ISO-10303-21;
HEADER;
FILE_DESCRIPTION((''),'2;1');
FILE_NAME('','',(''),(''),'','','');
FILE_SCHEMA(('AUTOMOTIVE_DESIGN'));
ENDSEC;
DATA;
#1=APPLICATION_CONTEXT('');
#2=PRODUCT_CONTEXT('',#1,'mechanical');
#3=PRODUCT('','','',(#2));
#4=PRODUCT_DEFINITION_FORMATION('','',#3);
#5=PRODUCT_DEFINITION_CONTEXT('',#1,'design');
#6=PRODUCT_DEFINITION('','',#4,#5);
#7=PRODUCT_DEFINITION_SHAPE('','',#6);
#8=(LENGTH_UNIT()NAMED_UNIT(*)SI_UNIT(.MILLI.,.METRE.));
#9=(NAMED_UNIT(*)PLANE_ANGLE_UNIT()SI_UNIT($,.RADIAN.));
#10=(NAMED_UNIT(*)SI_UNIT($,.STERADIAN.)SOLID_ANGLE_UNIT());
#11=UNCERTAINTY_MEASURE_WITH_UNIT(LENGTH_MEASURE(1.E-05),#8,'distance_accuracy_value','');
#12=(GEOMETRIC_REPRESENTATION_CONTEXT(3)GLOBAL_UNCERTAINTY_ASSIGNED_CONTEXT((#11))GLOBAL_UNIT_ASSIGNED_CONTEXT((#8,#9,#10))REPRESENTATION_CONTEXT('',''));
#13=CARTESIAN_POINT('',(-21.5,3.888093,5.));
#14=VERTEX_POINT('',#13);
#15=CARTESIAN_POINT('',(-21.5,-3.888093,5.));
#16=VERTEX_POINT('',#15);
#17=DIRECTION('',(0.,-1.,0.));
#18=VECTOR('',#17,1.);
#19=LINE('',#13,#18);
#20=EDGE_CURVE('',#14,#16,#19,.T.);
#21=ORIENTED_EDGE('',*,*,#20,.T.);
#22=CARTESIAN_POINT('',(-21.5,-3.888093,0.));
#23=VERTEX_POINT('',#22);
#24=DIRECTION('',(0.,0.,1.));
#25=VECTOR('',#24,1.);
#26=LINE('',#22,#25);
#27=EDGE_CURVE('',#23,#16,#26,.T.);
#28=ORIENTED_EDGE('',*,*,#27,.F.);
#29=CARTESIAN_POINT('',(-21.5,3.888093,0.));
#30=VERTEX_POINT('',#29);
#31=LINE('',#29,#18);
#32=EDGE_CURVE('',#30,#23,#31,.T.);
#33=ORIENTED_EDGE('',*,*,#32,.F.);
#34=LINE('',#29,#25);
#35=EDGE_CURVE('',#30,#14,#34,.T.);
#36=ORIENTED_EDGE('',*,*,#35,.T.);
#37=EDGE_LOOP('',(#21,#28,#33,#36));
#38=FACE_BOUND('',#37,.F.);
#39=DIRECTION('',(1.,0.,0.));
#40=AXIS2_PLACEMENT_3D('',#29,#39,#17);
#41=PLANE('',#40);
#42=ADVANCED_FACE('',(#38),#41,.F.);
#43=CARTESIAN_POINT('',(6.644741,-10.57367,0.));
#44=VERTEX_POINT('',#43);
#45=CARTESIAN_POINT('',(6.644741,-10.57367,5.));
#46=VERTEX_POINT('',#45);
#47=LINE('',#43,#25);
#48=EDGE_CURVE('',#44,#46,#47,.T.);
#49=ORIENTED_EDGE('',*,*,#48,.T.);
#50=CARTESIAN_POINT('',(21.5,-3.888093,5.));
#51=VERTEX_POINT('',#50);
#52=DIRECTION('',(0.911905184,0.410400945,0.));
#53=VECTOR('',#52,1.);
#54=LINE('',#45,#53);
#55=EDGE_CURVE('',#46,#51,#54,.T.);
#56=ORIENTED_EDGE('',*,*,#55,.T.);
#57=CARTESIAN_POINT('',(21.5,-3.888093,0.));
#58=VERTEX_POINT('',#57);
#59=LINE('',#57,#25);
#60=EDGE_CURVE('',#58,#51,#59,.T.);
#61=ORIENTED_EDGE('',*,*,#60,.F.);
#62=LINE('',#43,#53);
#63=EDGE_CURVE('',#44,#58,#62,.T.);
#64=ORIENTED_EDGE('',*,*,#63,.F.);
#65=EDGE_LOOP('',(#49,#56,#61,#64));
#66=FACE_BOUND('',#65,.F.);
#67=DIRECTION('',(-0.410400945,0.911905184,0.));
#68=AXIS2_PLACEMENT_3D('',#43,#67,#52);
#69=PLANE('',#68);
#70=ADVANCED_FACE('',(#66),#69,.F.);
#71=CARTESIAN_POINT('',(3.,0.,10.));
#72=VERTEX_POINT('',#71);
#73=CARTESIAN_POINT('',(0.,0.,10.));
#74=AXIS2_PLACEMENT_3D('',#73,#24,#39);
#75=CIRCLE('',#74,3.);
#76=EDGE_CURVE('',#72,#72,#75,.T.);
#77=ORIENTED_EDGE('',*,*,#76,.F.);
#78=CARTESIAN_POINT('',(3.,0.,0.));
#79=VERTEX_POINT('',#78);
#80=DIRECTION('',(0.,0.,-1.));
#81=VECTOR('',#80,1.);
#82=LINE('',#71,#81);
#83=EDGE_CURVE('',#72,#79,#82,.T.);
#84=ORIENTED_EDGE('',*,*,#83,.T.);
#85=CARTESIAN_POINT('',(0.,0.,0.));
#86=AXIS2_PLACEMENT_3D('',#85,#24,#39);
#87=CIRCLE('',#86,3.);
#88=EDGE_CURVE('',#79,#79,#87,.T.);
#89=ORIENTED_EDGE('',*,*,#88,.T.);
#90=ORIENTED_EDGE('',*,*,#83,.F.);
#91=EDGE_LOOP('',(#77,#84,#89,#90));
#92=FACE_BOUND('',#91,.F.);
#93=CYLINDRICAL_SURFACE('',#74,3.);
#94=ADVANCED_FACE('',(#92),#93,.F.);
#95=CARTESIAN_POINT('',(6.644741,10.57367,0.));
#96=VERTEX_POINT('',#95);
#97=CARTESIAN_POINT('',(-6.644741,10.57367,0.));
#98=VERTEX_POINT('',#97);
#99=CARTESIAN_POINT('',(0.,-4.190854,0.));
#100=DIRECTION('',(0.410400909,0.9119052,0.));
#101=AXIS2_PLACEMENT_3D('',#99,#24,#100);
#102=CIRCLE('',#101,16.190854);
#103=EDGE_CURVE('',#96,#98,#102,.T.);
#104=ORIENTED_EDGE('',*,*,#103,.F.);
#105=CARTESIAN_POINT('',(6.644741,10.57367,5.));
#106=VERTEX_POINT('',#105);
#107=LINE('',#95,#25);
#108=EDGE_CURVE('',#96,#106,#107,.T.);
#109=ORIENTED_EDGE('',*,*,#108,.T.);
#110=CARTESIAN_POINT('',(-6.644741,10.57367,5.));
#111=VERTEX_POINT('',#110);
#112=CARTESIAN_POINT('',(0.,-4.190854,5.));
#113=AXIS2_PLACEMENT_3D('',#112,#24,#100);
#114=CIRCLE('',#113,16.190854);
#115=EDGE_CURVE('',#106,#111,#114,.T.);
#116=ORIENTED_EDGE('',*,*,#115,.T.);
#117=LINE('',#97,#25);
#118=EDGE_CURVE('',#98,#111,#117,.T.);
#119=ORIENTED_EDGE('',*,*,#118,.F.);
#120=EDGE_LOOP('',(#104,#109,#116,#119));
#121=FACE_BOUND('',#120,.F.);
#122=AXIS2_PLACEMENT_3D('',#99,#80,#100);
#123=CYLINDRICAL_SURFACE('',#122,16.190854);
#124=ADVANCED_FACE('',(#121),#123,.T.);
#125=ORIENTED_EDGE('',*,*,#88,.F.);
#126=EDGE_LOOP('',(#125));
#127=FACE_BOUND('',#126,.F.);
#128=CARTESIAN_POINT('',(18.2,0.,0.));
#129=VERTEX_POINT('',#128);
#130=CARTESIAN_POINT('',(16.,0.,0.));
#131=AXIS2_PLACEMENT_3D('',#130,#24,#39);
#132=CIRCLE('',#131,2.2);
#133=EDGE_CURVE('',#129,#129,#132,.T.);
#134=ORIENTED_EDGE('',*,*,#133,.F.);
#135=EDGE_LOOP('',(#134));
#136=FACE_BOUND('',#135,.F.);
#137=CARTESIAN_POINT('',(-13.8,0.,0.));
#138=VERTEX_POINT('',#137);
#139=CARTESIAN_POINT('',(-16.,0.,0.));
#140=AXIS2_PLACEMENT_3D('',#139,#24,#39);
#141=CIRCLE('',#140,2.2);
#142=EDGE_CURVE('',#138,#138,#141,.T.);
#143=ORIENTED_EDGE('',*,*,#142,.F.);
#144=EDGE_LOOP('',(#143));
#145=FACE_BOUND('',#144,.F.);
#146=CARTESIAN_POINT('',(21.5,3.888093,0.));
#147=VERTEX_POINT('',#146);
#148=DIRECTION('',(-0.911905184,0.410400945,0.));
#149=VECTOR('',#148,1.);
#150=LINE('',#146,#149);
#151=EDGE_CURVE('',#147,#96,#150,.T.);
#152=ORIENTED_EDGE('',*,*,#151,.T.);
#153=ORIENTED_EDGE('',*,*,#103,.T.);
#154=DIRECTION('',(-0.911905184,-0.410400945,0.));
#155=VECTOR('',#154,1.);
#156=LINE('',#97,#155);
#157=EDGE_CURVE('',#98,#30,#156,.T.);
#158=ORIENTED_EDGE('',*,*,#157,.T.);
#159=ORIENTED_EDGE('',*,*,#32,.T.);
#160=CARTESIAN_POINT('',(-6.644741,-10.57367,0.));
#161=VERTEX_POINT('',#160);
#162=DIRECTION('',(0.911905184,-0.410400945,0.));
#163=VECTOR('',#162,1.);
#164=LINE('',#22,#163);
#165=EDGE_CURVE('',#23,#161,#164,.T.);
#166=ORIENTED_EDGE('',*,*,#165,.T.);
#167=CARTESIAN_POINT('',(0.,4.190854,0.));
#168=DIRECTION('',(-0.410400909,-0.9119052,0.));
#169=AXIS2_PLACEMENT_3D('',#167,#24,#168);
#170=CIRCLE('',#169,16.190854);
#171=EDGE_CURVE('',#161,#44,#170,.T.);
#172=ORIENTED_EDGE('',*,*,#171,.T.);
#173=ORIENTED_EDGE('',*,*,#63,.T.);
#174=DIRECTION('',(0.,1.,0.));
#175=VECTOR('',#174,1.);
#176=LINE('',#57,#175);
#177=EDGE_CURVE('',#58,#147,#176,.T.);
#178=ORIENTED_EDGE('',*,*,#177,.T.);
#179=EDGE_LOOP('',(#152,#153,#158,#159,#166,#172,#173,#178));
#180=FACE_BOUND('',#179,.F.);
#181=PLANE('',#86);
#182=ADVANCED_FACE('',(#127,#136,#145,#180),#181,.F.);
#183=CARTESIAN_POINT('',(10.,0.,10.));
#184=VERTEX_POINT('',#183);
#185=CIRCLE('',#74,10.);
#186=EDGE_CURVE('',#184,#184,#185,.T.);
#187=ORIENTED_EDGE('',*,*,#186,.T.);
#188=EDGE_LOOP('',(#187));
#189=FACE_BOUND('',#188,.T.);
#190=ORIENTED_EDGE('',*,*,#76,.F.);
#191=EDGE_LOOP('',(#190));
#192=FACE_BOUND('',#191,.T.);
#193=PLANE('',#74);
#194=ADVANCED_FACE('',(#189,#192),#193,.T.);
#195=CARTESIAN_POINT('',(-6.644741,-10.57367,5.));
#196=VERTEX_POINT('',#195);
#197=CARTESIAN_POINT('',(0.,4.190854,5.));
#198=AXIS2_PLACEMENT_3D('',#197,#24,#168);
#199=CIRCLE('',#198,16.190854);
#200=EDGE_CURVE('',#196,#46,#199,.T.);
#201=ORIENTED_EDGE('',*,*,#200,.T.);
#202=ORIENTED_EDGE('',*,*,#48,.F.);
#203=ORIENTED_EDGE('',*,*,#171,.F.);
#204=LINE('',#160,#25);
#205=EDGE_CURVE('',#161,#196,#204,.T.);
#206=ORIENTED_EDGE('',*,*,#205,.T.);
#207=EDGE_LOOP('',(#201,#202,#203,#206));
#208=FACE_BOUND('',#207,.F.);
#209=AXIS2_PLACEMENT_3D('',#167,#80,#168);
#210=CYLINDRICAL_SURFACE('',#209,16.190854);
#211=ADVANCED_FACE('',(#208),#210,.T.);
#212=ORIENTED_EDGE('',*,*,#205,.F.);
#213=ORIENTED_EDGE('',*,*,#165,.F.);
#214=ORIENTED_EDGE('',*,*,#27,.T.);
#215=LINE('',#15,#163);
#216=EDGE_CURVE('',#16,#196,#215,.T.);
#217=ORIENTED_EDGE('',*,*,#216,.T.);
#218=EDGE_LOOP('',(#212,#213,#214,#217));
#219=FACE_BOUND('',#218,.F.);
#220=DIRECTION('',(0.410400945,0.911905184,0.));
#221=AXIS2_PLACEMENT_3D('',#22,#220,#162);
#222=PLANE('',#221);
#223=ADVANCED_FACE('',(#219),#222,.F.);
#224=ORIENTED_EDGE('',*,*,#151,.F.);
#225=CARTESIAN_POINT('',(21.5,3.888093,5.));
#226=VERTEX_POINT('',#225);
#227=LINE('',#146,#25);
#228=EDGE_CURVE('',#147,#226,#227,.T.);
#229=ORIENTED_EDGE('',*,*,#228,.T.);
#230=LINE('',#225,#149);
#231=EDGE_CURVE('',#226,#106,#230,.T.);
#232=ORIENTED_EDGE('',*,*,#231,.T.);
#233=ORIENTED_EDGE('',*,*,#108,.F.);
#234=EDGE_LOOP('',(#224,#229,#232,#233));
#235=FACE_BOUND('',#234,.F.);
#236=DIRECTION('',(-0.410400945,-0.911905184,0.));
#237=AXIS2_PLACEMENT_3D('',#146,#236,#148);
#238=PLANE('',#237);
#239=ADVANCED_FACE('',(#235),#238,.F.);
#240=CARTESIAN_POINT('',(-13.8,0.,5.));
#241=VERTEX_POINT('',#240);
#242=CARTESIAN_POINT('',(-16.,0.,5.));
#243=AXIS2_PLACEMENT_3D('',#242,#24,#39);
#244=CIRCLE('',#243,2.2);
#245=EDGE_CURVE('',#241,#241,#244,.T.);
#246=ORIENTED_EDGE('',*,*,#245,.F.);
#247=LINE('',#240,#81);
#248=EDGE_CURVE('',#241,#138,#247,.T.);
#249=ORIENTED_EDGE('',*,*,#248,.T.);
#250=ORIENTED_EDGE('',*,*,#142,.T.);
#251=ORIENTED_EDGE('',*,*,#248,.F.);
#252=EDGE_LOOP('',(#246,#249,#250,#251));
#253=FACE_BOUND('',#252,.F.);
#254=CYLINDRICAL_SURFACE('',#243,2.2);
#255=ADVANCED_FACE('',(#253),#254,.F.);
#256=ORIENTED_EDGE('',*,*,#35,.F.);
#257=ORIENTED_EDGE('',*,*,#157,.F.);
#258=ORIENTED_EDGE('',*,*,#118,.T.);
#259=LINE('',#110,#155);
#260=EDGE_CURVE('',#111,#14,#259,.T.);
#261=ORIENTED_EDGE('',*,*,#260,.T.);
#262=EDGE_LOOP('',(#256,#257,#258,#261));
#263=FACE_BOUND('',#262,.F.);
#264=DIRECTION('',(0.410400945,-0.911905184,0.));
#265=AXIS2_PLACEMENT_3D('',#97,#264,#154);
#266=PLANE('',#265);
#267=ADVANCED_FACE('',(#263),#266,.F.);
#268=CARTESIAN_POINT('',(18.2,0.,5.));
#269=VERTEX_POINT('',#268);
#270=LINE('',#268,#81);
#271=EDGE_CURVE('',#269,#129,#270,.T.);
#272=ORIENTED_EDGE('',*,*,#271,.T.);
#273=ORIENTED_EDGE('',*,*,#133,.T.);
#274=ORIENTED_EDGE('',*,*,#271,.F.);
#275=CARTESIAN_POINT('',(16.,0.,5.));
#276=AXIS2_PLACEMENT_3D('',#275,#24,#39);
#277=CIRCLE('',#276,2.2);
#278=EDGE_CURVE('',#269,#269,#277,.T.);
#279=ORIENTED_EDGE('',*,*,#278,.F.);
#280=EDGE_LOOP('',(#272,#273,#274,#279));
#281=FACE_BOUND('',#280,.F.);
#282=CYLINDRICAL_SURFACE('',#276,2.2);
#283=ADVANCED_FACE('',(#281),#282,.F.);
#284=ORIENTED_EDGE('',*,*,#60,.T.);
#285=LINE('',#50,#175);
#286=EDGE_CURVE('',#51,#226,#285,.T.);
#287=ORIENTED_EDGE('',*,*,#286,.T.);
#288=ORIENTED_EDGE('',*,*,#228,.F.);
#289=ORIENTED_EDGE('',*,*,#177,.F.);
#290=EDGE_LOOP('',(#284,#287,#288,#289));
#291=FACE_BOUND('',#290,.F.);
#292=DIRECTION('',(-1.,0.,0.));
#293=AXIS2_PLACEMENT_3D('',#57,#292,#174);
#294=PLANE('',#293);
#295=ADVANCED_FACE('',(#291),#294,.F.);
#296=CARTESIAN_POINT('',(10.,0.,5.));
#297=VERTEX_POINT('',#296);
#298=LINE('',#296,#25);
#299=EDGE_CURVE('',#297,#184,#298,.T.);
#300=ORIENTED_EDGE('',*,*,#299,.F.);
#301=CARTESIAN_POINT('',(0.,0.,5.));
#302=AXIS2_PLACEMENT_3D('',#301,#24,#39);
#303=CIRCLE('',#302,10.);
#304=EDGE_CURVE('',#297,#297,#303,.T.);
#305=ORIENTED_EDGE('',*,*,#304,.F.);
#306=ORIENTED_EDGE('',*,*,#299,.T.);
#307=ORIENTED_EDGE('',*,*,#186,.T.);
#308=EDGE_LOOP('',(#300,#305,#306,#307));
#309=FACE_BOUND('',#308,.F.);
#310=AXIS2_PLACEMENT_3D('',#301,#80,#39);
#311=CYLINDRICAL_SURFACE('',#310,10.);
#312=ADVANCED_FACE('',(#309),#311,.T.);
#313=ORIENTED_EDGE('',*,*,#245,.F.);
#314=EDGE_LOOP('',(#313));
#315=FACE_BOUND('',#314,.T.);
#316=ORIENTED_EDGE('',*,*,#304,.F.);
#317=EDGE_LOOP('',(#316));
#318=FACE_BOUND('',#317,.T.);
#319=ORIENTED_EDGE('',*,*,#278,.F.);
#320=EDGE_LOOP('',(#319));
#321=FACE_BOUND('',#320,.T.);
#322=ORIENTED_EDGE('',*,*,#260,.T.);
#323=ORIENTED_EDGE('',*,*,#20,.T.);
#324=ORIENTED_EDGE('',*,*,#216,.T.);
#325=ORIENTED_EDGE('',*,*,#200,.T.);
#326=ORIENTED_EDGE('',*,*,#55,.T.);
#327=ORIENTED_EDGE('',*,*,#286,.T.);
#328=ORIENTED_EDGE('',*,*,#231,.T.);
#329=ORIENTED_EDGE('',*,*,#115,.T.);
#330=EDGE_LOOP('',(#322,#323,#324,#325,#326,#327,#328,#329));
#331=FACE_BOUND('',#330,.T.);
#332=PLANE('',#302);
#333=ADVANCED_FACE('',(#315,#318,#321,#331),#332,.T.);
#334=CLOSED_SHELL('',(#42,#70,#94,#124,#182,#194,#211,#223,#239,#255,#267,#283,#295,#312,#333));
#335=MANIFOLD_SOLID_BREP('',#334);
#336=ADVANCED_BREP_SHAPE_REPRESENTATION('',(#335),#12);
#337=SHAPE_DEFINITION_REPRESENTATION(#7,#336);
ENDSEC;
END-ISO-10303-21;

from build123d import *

# Parameters (mm, degrees)
PAD050_DEPTH = 5
SKETCH054_R  = 10
PAD051_DEPTH = 5
SKETCH055_R  = 2.2
HOLE_DEPTH   = 25
SKETCH056_R  = 3
POCKET_DEPTH = 10.001


with BuildPart() as part:
    # Sketch053 → Pad050 (new body)
    with BuildSketch(Plane.XY):
        with BuildLine():
            Line((-21.5, 3.888093), (-21.5, -3.888093))
            Line((-21.5, -3.888093), (-6.644741, -10.57367))
            ThreePointArc((-6.644741, -10.57367), (0, -12), (6.644741, -10.57367))
            Line((6.644741, -10.57367), (21.5, -3.888093))
            Line((21.5, -3.888093), (21.5, 3.888093))
            Line((21.5, 3.888093), (6.644741, 10.57367))
            ThreePointArc((6.644741, 10.57367), (0, 12), (-6.644741, 10.57367))
            Line((-6.644741, 10.57367), (-21.5, 3.888093))
        make_face()
    extrude(amount=PAD050_DEPTH)

    # Sketch054 (on Face10 of Pad050) → Pad051 (join)
    with BuildSketch(Plane.XY.offset(5)):
        Circle(SKETCH054_R)
    extrude(amount=PAD051_DEPTH)

    # Sketch055 (on Face10 of Pad050) → Hole (cut)
    with BuildSketch(Plane.XY.offset(5)):
        with Locations((-16, 0)):
            Circle(SKETCH055_R)
        with Locations((16, 0)):
            Circle(SKETCH055_R)
    extrude(amount=-HOLE_DEPTH, mode=Mode.SUBTRACT)

    # Sketch056 (on Face14 of Hole) → Pocket (cut, through all)
    with BuildSketch(Plane.XY.offset(10)):
        Circle(SKETCH056_R)
    extrude(amount=-POCKET_DEPTH, mode=Mode.SUBTRACT)


solid = part.part
